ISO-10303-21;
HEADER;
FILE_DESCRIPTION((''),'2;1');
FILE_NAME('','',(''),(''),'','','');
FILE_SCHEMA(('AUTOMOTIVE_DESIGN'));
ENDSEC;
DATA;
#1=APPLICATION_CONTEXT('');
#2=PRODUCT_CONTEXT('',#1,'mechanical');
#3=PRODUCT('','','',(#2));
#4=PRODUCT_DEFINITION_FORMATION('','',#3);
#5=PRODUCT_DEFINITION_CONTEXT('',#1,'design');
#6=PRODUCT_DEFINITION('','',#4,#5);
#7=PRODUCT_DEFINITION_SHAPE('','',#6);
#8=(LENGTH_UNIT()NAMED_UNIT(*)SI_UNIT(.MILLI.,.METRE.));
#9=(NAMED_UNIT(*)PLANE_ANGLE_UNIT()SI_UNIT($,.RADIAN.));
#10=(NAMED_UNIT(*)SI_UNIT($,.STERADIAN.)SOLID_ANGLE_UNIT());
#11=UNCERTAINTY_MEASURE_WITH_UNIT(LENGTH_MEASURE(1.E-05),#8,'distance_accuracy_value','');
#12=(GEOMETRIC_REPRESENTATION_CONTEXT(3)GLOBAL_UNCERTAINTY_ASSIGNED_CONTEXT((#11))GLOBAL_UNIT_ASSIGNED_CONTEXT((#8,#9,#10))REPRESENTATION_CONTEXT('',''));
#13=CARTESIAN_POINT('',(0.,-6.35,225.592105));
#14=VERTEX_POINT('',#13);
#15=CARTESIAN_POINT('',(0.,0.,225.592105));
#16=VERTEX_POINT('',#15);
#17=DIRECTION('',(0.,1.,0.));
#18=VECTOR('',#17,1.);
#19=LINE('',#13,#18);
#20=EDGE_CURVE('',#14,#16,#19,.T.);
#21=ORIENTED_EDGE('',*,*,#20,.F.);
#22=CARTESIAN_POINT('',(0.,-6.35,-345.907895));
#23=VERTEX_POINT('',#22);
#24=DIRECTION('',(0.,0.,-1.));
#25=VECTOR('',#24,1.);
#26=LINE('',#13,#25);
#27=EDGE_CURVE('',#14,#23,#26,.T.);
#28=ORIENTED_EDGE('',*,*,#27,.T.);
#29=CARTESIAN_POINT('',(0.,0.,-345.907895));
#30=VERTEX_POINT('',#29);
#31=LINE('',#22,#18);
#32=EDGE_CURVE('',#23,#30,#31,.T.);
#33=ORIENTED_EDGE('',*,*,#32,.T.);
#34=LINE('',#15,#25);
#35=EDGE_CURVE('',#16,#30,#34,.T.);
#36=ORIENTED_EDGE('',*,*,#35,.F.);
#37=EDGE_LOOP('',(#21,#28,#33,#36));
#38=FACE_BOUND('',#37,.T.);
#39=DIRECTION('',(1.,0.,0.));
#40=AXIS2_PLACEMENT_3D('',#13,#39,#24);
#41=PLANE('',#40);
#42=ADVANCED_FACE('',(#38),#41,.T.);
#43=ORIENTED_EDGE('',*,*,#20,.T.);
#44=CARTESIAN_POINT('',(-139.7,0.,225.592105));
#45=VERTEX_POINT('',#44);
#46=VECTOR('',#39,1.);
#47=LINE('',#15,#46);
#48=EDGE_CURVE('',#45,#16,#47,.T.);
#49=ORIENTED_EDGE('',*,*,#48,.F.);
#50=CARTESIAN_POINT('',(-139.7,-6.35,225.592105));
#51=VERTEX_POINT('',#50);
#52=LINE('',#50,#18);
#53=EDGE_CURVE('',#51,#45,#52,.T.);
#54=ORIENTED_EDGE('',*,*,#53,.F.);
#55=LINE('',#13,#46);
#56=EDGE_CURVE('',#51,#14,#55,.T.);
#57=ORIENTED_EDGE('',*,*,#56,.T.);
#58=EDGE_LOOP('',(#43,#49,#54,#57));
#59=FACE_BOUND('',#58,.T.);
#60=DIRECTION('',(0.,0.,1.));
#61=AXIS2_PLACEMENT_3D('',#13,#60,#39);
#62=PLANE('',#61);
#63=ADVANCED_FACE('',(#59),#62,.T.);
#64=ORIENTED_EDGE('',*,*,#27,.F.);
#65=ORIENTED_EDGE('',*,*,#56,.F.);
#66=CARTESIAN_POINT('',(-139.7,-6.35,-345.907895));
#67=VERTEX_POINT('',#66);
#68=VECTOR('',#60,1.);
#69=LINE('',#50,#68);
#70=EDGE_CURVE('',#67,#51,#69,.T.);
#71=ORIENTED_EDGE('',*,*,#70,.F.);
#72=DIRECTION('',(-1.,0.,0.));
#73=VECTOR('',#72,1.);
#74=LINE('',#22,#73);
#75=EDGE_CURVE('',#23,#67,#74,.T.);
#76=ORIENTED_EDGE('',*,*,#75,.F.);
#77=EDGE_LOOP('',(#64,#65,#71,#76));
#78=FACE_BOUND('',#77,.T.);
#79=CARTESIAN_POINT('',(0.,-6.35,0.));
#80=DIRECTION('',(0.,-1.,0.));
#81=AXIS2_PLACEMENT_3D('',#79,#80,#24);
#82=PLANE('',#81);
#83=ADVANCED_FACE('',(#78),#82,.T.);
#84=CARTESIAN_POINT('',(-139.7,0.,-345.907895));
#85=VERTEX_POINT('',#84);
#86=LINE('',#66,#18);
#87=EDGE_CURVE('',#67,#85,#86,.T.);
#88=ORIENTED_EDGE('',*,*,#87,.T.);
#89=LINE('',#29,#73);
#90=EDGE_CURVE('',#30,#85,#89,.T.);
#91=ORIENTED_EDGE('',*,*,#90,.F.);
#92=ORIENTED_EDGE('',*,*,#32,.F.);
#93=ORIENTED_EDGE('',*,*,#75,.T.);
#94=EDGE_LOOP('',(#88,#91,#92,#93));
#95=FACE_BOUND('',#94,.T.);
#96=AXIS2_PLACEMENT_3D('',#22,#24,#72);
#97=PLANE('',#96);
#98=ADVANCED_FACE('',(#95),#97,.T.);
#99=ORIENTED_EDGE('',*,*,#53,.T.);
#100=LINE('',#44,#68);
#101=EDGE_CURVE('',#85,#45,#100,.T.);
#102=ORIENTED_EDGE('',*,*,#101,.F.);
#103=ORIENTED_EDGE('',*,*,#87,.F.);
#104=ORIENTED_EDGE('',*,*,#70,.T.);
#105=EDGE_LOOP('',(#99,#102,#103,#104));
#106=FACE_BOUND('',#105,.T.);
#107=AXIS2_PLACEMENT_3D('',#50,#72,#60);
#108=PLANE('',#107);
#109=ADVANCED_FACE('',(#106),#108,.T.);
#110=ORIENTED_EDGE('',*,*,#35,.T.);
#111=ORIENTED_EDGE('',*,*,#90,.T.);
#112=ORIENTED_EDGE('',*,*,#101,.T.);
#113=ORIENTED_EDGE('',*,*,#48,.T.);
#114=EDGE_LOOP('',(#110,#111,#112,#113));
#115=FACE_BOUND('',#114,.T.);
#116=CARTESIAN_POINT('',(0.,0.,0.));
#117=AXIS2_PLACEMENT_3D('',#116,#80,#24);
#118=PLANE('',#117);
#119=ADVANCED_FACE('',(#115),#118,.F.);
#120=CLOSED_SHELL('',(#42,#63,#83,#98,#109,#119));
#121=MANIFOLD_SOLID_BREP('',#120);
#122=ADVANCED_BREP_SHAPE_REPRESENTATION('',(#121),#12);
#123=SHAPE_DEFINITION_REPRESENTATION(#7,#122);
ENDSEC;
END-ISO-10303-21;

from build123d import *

# Parameters (mm, degrees)
SKETCH1_W           = 139.7
SKETCH1_H           = 571.5
BOSS_EXTRUDE1_DEPTH = 6.35


with BuildPart() as part:
    # Sketch1 → Boss-Extrude1 (new body)
    with BuildSketch(Plane(origin=(0, 0, 0), x_dir=(1, 0, 0), z_dir=(0, 1, 0))):
        with Locations((-69.85, 60.157894737)):
            Rectangle(SKETCH1_W, SKETCH1_H)
    extrude(amount=-BOSS_EXTRUDE1_DEPTH)


solid = part.part
